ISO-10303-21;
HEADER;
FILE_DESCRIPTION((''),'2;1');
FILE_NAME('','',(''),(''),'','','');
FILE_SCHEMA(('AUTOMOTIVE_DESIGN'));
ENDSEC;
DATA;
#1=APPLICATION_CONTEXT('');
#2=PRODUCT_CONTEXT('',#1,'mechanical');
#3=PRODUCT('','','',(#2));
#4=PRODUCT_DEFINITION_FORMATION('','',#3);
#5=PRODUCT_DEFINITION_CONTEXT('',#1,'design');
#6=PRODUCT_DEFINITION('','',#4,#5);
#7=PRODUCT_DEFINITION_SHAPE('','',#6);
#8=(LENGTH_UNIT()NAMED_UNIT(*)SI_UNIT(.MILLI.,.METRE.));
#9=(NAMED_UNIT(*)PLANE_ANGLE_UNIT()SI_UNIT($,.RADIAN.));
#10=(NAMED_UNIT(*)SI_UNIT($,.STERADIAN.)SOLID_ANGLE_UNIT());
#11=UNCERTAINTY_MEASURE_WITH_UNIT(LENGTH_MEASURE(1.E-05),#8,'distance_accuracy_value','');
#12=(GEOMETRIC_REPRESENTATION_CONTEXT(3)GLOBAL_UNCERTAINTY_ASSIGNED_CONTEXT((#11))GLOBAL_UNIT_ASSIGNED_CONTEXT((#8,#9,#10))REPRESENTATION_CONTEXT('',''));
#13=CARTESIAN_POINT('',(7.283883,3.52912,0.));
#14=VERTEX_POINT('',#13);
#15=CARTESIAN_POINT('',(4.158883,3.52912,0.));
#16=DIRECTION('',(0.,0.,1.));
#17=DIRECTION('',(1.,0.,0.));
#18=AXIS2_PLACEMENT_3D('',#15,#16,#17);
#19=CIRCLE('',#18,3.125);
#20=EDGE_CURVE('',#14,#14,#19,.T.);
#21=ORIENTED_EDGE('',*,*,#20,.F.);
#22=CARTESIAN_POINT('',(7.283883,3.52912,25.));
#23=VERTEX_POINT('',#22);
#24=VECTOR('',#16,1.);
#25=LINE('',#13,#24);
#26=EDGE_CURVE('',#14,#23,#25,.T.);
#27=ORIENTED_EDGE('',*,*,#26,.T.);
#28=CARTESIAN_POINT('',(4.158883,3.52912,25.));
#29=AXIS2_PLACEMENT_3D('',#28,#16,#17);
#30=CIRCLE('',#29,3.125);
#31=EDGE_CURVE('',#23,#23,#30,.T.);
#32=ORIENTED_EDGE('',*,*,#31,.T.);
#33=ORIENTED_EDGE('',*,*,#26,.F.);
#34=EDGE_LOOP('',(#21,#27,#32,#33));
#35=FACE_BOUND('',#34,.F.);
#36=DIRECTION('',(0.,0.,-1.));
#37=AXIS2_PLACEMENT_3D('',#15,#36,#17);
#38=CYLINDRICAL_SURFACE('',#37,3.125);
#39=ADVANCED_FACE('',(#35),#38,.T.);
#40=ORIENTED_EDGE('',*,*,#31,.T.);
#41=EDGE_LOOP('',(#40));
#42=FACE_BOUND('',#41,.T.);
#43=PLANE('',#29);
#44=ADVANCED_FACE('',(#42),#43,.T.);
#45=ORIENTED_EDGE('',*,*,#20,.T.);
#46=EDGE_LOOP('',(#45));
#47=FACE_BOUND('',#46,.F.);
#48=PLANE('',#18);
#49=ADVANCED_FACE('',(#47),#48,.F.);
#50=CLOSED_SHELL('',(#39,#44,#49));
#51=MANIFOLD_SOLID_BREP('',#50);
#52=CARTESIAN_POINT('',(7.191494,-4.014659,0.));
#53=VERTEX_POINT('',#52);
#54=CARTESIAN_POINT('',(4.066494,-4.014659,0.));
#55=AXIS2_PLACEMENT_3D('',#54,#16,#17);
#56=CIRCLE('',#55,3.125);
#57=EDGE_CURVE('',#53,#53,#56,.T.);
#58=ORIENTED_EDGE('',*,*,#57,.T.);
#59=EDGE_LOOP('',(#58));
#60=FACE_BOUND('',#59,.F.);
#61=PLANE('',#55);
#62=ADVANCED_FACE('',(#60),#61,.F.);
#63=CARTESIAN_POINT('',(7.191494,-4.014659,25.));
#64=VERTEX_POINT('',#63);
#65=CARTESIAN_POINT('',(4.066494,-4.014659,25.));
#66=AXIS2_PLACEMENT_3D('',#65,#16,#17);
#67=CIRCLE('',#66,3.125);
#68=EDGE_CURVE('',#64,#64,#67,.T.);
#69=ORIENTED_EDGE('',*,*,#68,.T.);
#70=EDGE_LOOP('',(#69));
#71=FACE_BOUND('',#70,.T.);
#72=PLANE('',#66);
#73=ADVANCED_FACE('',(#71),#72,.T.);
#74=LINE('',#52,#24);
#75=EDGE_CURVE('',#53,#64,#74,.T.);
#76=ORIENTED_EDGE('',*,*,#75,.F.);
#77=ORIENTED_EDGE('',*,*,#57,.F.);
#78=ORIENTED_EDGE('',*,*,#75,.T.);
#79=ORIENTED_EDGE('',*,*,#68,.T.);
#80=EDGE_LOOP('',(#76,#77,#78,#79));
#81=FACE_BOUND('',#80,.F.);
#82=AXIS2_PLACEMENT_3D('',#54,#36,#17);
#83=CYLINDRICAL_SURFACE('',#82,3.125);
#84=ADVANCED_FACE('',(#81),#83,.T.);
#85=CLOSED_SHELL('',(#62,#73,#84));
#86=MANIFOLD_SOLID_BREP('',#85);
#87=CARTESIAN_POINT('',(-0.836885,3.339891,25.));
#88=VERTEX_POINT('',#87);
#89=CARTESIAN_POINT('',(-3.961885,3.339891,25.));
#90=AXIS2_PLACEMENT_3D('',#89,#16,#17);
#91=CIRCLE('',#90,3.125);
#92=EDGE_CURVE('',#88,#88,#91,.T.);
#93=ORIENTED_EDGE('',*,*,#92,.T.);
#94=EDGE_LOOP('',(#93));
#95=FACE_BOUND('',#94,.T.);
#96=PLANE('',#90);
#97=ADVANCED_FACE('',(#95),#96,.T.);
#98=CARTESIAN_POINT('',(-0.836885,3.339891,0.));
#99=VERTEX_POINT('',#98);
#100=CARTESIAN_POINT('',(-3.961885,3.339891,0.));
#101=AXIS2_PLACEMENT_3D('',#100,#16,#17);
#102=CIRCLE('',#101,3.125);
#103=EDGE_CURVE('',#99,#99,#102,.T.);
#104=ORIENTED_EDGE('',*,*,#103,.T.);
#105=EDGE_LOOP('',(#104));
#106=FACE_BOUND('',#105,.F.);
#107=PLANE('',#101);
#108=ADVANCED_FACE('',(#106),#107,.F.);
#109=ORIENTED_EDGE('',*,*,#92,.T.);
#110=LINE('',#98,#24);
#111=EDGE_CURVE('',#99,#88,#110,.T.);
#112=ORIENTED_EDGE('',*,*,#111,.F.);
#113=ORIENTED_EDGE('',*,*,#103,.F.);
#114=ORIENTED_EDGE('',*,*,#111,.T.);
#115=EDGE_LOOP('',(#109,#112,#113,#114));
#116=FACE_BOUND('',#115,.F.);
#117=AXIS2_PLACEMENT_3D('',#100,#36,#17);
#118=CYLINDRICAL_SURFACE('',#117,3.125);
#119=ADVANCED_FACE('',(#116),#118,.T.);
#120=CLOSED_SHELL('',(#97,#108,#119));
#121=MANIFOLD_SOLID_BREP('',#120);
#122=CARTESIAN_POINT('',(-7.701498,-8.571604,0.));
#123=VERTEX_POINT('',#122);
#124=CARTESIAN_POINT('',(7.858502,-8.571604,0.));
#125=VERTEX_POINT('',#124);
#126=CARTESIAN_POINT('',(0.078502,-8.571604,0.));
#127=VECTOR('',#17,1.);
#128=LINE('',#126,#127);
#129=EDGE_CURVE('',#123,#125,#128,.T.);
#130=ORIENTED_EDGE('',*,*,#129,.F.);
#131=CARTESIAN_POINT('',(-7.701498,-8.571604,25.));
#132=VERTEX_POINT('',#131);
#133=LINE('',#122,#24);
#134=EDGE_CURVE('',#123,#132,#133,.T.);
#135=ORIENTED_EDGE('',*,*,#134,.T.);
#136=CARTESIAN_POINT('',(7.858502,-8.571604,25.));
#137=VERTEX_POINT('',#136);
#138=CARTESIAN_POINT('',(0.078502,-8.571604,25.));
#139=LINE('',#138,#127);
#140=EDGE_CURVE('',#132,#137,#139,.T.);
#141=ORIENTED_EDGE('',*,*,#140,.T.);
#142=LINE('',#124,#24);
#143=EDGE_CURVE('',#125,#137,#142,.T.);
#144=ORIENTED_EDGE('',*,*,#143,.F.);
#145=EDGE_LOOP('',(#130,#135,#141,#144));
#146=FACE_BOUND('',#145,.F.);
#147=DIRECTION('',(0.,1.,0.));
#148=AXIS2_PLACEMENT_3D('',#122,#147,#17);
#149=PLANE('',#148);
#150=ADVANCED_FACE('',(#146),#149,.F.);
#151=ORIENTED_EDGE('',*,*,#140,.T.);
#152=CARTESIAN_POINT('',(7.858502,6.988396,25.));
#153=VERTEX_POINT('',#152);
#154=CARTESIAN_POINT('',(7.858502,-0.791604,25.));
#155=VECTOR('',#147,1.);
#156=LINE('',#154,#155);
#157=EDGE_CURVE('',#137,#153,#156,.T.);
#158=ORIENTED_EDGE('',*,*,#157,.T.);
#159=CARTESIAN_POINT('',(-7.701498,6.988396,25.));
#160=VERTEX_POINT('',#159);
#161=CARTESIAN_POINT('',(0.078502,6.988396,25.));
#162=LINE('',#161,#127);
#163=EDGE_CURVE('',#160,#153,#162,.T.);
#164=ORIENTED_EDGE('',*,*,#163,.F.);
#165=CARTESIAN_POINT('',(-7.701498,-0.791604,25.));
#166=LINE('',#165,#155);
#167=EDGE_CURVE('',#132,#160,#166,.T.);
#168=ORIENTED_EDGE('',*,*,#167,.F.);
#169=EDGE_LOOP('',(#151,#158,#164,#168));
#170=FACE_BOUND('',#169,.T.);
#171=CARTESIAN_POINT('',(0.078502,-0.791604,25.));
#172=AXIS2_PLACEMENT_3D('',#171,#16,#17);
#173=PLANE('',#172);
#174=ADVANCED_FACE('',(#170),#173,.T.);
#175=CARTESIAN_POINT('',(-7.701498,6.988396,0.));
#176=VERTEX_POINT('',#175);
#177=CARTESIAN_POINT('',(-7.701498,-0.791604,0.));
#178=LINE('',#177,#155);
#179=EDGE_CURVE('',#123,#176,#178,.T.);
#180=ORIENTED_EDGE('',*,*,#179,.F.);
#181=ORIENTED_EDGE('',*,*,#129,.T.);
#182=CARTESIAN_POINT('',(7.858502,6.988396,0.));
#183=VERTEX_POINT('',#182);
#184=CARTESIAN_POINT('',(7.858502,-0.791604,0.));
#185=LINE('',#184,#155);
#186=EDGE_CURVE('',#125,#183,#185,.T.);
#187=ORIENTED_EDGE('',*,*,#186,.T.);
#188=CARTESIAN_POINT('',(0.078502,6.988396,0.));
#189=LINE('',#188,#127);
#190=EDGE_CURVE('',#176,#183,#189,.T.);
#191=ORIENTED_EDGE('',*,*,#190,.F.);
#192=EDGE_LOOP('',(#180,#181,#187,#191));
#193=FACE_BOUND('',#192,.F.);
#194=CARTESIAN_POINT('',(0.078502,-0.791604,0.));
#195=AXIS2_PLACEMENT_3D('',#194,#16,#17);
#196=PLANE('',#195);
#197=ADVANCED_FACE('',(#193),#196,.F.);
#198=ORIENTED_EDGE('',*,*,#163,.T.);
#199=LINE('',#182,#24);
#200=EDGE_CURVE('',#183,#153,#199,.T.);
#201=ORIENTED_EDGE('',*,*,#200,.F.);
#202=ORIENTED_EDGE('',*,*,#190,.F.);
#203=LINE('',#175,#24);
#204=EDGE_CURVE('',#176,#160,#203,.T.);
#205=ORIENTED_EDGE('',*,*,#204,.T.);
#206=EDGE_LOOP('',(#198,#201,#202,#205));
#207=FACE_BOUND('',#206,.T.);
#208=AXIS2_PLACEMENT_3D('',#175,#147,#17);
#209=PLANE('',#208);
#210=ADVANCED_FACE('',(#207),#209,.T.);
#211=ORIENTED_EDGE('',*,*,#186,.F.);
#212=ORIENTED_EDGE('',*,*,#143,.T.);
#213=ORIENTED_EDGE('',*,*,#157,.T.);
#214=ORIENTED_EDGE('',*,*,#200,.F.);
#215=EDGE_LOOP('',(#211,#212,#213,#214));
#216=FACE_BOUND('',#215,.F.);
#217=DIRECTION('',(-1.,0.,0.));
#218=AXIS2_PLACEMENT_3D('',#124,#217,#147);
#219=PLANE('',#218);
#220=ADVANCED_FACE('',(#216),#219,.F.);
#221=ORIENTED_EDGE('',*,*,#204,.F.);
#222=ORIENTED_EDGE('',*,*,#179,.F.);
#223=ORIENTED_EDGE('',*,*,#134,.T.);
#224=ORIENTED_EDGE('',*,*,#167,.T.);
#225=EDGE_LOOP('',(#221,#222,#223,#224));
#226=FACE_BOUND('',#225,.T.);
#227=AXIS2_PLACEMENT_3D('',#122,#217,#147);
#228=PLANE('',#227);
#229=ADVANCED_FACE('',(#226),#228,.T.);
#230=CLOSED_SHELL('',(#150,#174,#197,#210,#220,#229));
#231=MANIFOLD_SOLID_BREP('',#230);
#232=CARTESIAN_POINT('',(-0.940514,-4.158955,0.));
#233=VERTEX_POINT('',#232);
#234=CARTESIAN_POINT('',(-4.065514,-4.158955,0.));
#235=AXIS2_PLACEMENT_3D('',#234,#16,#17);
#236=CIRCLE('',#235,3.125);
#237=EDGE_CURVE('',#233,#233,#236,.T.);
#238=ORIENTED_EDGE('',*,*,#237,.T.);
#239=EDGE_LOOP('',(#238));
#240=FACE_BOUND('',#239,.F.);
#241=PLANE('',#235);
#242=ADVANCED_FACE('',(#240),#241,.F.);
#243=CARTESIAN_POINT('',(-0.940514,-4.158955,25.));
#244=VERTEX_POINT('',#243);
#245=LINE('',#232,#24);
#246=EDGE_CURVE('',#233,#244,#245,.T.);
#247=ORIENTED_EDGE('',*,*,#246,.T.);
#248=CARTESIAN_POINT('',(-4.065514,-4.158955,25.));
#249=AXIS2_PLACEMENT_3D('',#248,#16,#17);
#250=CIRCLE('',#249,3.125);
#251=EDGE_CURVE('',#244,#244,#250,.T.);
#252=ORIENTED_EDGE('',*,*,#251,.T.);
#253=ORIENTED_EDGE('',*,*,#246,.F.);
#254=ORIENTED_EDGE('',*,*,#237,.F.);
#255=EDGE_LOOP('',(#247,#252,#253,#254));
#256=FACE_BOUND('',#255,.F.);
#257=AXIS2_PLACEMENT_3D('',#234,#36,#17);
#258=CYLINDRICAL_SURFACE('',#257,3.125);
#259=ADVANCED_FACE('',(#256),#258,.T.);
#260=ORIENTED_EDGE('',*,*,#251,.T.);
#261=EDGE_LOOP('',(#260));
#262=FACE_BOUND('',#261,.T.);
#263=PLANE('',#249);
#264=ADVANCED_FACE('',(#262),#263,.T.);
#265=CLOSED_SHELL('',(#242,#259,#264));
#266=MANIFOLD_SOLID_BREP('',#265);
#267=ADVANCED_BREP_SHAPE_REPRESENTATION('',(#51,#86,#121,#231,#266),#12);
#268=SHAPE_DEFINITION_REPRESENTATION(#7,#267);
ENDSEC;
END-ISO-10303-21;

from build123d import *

# Parameters (mm, degrees)
F0_W     = 15.56
F0_H     = 15.56
F2_DEPTH = 25
F1_R     = 3.125


with BuildPart() as f2:
    # F0 (on Top) → F2 (new body)
    with BuildSketch(Plane.XY):
        with Locations((0.0785020094, -0.7916040632)):
            Rectangle(F0_W, F0_H)
    extrude(amount=F2_DEPTH)


with BuildPart() as f2b:
    # F1 (on Top) → F2, piece 2 (new body)
    with BuildSketch(Plane.XY):
        with Locations((-3.9618849667, 3.3398911009)):
            Circle(F1_R)
    extrude(amount=F2_DEPTH)


with BuildPart() as f2c:
    # F1 (on Top) → F2, piece 3 (new body)
    with BuildSketch(Plane.XY):
        with Locations((4.1588830674, 3.5291202986)):
            Circle(F1_R)
    extrude(amount=F2_DEPTH)


with BuildPart() as f2d:
    # F1 (on Top) → F2, piece 4 (new body)
    with BuildSketch(Plane.XY):
        with Locations((-4.0655138512, -4.1589550173)):
            Circle(F1_R)
    extrude(amount=F2_DEPTH)


with BuildPart() as f2e:
    # F1 (on Top) → F2, piece 5 (new body)
    with BuildSketch(Plane.XY):
        with Locations((4.0664936555, -4.0146590518)):
            Circle(F1_R)
    extrude(amount=F2_DEPTH)


solid = Compound([f2.part, f2b.part, f2c.part, f2d.part, f2e.part])
